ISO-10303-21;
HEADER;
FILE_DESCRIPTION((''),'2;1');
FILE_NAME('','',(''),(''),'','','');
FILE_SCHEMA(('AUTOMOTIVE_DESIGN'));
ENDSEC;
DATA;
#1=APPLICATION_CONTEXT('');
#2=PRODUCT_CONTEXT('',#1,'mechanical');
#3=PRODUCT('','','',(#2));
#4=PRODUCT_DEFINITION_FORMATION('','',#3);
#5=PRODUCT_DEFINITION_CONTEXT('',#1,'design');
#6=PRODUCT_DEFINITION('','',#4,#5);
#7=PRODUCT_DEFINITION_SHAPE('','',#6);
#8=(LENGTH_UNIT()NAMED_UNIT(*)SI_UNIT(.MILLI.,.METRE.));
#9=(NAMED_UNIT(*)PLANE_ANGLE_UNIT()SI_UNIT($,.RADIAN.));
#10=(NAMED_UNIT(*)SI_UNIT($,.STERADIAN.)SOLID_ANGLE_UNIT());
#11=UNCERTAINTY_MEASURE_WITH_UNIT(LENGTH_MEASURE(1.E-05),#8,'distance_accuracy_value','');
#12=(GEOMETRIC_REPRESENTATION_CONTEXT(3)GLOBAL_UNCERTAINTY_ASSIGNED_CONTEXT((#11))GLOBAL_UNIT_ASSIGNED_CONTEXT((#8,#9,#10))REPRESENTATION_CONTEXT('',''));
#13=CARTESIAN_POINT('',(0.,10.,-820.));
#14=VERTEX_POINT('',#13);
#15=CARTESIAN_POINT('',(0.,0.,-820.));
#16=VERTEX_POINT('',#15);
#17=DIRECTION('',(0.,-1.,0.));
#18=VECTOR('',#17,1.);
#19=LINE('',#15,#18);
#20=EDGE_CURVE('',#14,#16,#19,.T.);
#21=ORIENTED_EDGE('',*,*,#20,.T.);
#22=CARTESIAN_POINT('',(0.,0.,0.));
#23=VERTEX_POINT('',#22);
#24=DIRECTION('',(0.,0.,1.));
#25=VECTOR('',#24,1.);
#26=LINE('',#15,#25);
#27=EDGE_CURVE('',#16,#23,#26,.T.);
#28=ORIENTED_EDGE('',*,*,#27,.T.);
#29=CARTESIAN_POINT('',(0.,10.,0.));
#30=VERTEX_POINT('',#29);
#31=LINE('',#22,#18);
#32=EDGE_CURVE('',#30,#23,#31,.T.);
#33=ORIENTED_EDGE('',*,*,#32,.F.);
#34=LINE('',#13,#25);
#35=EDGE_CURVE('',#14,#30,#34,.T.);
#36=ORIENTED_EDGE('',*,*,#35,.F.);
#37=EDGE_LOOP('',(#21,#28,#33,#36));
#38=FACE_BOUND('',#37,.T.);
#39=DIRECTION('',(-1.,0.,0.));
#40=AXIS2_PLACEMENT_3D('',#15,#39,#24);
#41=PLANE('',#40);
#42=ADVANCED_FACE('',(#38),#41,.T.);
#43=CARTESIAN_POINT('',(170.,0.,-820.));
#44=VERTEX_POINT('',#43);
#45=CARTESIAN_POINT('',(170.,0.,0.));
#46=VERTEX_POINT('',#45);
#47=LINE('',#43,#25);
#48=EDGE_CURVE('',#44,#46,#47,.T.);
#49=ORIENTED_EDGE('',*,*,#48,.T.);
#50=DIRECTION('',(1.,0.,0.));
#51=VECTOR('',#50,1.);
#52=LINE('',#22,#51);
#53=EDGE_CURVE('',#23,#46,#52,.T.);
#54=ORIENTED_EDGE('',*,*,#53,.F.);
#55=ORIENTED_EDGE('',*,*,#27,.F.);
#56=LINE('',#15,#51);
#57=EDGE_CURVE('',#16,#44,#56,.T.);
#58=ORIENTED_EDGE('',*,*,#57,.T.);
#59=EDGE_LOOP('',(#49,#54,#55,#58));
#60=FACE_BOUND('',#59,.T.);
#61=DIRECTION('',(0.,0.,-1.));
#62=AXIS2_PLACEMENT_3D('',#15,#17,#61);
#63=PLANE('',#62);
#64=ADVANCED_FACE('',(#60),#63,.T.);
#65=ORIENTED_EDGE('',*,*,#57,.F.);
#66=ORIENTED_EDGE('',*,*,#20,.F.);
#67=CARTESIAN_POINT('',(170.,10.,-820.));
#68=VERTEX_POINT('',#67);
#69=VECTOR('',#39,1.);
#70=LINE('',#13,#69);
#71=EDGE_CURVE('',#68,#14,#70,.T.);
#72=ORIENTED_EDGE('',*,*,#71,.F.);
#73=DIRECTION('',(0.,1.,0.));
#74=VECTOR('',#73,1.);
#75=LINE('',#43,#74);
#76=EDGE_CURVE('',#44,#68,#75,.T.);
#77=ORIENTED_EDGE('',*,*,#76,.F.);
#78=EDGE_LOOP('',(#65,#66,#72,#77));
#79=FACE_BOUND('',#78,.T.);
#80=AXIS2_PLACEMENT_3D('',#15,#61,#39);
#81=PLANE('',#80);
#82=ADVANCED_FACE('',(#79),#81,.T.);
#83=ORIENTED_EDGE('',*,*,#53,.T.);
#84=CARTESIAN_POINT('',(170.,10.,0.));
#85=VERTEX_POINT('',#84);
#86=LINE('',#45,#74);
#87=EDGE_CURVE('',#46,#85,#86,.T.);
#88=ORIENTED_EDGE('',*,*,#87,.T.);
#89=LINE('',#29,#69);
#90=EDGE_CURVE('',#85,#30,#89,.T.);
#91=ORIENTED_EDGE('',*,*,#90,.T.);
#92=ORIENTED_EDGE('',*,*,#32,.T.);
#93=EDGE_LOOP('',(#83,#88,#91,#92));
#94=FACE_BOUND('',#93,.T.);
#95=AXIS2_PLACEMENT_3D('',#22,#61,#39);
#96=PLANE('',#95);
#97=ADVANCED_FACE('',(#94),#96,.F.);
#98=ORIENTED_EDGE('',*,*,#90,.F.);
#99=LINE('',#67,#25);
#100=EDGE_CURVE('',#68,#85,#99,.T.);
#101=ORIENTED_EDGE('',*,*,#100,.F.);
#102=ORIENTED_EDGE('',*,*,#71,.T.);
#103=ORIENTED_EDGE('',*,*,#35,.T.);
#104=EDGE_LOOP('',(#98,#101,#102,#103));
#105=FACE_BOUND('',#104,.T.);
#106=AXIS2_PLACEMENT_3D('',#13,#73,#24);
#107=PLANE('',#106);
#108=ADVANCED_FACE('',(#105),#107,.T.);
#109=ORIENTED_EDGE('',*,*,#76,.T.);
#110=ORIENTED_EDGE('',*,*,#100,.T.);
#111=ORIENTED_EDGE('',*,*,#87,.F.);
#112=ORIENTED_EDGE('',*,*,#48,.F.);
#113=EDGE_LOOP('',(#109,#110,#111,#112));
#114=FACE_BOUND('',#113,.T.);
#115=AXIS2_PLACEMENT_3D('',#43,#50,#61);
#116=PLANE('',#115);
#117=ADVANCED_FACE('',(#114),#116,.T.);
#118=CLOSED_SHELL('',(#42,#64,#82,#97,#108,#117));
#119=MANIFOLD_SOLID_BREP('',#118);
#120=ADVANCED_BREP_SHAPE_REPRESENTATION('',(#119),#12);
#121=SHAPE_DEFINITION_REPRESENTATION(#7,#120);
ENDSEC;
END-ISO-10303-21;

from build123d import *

# Parameters (mm, degrees)
SKETCH_1_W      = 170
SKETCH_1_H      = 10
EXTRUDE_1_DEPTH = 820


with BuildPart() as part:
    # Эскиз1 → Бобышка-Вытянуть1 (new body)
    with BuildSketch(Plane.XY):
        with Locations((85, 5)):
            Rectangle(SKETCH_1_W, SKETCH_1_H)
    extrude(amount=-EXTRUDE_1_DEPTH)


solid = part.part
